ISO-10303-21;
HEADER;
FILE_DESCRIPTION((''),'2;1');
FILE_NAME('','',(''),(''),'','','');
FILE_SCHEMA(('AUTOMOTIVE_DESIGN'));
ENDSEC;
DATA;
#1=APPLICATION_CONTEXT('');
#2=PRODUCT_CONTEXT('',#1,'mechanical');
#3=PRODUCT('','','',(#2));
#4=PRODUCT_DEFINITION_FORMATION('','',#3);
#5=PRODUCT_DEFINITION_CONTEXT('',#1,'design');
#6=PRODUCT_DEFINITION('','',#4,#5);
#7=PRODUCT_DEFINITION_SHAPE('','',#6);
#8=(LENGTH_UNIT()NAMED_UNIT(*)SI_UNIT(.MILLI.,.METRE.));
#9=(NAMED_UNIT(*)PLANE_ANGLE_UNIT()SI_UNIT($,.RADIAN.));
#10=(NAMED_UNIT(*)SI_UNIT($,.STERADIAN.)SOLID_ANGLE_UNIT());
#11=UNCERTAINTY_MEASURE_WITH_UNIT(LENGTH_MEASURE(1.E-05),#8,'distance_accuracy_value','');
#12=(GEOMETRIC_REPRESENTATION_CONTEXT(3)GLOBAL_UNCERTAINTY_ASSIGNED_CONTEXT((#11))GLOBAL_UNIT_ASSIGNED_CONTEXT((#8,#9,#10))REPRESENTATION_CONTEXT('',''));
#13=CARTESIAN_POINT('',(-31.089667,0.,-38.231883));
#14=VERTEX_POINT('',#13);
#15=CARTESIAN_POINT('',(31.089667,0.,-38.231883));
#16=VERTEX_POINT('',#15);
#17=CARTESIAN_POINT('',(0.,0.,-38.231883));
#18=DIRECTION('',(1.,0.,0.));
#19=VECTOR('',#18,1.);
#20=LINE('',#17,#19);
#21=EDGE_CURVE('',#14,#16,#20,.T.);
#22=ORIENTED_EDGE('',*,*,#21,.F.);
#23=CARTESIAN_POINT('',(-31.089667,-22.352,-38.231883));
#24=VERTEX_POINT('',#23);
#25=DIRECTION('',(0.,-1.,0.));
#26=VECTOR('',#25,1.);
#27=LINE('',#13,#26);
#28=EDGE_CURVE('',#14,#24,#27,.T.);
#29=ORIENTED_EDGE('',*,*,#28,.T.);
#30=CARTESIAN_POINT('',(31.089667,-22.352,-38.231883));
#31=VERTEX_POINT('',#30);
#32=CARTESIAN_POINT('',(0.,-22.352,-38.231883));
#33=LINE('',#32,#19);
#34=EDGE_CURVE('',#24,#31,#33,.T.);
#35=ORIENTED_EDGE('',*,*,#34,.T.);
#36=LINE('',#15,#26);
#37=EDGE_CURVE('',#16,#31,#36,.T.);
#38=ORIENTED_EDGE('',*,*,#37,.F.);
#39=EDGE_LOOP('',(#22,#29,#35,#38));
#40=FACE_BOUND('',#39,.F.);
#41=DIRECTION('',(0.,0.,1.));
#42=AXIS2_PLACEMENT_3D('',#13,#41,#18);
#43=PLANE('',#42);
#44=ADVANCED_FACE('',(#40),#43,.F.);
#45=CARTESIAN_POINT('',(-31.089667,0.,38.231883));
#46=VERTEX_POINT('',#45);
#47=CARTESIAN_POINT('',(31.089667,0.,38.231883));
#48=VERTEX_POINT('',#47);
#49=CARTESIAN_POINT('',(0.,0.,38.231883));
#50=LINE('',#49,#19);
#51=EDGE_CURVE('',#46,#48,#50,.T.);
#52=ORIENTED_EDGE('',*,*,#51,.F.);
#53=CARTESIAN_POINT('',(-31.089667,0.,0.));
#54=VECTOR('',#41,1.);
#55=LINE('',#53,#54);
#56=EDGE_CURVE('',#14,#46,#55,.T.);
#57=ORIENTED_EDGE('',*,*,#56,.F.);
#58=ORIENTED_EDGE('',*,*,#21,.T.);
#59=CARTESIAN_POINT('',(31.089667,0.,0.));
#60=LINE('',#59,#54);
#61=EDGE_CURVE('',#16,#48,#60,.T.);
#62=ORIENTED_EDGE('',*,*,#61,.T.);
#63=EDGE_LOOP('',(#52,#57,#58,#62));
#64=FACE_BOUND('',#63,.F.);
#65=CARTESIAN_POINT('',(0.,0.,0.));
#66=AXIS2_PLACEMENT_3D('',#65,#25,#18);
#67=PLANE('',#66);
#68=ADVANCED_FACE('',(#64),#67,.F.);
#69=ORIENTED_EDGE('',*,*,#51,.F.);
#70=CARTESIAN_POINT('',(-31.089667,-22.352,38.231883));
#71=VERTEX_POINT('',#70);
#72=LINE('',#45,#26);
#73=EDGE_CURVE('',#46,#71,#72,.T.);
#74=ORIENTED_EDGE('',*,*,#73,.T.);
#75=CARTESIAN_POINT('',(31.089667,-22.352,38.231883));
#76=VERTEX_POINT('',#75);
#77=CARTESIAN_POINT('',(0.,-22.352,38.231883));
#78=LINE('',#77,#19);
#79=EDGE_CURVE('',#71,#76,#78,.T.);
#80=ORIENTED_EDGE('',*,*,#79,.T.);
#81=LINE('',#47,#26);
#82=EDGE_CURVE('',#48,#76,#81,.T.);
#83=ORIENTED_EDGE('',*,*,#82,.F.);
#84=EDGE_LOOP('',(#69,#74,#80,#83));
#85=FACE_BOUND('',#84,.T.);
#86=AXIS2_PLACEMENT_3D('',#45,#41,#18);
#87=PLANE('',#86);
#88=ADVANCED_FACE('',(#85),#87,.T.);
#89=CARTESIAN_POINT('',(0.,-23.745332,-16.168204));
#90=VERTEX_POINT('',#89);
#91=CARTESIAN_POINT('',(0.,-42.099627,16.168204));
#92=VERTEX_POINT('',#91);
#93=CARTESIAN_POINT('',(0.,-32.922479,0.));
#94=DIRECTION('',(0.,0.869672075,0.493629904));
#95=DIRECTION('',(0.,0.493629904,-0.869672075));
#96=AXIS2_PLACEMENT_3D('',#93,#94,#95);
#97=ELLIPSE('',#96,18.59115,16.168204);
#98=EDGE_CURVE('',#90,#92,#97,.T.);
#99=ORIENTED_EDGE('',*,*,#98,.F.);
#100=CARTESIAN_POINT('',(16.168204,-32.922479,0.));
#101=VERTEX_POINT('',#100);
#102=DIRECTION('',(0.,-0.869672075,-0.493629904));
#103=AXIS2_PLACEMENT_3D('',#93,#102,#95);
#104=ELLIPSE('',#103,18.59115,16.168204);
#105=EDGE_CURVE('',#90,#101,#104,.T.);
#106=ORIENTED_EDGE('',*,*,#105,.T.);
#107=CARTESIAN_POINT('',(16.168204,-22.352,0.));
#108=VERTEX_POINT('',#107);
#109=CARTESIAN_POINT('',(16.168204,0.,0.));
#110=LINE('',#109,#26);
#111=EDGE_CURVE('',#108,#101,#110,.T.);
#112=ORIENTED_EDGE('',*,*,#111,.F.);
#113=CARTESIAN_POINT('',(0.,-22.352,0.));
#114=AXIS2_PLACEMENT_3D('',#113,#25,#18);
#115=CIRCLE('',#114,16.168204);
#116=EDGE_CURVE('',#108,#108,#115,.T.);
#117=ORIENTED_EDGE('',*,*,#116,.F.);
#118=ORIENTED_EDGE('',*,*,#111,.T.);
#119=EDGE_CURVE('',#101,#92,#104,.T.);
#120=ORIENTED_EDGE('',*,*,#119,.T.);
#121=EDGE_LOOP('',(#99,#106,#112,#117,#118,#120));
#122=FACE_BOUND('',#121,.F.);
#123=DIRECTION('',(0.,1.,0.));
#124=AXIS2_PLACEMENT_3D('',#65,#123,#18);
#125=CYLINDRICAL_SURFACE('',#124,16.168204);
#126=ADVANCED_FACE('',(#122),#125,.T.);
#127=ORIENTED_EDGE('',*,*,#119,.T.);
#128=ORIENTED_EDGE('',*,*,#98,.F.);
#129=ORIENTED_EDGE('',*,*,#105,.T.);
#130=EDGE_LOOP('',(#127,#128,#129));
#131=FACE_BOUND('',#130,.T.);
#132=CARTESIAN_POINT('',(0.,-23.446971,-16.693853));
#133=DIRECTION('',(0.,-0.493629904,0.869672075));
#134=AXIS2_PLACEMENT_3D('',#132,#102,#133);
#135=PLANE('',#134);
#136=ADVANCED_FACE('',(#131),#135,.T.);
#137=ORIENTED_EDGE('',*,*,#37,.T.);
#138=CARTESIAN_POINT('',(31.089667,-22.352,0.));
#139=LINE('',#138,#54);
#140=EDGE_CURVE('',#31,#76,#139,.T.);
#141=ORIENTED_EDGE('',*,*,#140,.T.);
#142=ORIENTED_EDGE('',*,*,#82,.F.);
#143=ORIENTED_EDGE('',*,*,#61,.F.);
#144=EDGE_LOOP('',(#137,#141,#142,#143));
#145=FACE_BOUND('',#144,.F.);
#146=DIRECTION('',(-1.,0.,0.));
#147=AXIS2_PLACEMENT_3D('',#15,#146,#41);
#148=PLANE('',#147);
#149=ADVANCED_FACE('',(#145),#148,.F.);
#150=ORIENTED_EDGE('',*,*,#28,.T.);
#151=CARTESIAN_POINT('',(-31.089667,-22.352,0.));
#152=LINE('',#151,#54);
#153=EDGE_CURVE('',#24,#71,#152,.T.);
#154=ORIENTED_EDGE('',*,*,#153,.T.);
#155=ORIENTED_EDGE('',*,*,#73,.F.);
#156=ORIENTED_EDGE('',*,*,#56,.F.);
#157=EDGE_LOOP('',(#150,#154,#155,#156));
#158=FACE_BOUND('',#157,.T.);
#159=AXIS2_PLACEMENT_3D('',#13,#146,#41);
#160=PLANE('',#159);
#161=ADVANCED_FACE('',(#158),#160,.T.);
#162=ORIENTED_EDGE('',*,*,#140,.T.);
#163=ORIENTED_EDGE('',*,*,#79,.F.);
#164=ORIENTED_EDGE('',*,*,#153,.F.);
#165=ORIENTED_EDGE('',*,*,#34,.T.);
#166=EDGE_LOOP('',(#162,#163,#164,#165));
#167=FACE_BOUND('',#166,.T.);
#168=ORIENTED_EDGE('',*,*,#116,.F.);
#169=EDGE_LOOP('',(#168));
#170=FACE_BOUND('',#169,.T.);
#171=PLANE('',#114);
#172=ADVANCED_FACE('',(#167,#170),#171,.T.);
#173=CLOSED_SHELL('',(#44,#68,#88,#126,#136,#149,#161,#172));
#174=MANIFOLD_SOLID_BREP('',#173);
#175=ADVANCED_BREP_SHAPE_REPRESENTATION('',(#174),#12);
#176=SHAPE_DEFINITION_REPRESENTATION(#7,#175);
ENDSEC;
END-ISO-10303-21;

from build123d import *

# Parameters (mm, degrees)
F0_R     = 16.168204
F0_W     = 62.179334
F0_H     = 76.463766
F1_DEPTH = 22.352
F2_DEPTH = 43.18
F4_DEPTH = 25.4
F5_DEPTH = 25.4


with BuildPart() as f1:
    # F0 (on Front) → F1 (new body)
    with BuildSketch(Plane.XZ):
        Circle(F0_R)
        Rectangle(F0_W, F0_H)
        Circle(F0_R, mode=Mode.SUBTRACT)
    extrude(amount=F1_DEPTH)

    # F0 (on Front) → F2 (join)
    with BuildSketch(Plane.XZ):
        Circle(F0_R)
    extrude(amount=F2_DEPTH)

    # F3 (on Right) → F4 (cut)
    with BuildSketch(Plane.YZ):
        Polygon((-43.015767, 17.78225), (-58.439311, 18.220695), (-58.439311, -16.693853), (-23.446971, -16.693853), align=None)
    extrude(amount=F4_DEPTH, mode=Mode.SUBTRACT)

    # F3 (on Right) → F5 (cut)
    with BuildSketch(Plane.YZ):
        Polygon((-43.015767, 17.78225), (-58.439311, 18.220695), (-58.439311, -16.693853), (-23.446971, -16.693853), align=None)
    extrude(amount=-F5_DEPTH, mode=Mode.SUBTRACT)


solid = f1.part
